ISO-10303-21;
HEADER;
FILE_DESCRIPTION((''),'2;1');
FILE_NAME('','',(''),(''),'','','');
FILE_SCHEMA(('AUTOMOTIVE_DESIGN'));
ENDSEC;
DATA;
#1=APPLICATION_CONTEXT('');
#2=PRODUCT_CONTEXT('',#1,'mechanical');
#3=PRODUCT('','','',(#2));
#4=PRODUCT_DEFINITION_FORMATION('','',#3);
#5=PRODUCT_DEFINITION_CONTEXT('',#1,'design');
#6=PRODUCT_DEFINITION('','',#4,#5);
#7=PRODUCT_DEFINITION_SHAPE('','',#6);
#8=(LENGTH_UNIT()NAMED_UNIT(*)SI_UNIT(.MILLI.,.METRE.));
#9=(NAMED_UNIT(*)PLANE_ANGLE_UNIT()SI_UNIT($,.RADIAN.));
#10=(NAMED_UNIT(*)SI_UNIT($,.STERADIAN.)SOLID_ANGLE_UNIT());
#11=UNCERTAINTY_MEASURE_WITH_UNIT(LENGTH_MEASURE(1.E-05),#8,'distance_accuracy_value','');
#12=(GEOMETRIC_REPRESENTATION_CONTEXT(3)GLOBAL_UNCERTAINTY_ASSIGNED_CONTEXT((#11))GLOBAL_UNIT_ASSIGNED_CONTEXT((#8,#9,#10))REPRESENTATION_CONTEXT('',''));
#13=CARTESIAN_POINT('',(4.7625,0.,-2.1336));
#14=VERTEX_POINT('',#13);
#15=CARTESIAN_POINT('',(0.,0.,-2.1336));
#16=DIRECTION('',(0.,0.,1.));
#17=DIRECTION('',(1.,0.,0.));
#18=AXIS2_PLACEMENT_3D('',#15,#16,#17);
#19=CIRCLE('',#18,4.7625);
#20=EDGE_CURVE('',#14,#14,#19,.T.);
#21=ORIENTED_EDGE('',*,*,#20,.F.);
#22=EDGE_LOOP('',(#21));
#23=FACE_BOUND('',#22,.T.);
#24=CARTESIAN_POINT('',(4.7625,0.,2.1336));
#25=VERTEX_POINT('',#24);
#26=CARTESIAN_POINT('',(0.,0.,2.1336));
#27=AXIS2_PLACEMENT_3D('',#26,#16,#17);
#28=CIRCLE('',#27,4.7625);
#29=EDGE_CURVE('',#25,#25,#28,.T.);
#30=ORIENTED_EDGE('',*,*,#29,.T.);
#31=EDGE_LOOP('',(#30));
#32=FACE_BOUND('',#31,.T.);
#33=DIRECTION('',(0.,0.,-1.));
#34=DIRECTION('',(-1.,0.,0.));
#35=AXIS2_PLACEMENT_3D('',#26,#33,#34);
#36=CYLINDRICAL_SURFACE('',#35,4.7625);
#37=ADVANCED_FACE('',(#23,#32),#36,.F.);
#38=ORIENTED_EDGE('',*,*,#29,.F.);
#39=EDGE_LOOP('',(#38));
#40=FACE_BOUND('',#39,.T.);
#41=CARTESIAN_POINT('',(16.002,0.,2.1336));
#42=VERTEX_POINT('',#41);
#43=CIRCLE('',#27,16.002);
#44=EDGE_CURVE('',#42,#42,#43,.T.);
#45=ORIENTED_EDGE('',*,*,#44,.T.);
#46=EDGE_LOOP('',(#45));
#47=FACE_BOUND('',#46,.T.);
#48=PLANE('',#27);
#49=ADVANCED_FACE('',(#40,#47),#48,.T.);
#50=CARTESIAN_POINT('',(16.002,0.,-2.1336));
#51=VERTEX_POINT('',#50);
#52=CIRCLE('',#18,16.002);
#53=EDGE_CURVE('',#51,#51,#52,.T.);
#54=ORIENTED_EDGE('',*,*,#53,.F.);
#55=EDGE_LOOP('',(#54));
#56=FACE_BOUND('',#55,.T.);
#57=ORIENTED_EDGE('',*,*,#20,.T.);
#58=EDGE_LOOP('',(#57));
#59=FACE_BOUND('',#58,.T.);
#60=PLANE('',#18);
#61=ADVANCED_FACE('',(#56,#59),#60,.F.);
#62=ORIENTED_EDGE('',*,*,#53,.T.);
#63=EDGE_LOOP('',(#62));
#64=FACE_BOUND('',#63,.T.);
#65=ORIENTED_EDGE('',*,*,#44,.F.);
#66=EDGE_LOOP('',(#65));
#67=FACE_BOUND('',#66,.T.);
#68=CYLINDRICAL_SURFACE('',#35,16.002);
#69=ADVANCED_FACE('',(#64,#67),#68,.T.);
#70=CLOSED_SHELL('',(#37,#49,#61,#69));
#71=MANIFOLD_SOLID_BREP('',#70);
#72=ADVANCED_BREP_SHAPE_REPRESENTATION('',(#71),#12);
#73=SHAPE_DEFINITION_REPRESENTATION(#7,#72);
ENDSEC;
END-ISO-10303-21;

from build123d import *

# Parameters (mm, degrees)
SKETCH1_R           = 16.002
SKETCH1_R_2         = 4.7625
BOSS_EXTRUDE1_DEPTH = 2.1336


with BuildPart() as part:
    # Sketch1 → Boss-Extrude1 (new body, symmetric)
    with BuildSketch(Plane.XY):
        Circle(SKETCH1_R)
        Circle(SKETCH1_R_2, mode=Mode.SUBTRACT)
    extrude(amount=BOSS_EXTRUDE1_DEPTH, both=True)


solid = part.part
